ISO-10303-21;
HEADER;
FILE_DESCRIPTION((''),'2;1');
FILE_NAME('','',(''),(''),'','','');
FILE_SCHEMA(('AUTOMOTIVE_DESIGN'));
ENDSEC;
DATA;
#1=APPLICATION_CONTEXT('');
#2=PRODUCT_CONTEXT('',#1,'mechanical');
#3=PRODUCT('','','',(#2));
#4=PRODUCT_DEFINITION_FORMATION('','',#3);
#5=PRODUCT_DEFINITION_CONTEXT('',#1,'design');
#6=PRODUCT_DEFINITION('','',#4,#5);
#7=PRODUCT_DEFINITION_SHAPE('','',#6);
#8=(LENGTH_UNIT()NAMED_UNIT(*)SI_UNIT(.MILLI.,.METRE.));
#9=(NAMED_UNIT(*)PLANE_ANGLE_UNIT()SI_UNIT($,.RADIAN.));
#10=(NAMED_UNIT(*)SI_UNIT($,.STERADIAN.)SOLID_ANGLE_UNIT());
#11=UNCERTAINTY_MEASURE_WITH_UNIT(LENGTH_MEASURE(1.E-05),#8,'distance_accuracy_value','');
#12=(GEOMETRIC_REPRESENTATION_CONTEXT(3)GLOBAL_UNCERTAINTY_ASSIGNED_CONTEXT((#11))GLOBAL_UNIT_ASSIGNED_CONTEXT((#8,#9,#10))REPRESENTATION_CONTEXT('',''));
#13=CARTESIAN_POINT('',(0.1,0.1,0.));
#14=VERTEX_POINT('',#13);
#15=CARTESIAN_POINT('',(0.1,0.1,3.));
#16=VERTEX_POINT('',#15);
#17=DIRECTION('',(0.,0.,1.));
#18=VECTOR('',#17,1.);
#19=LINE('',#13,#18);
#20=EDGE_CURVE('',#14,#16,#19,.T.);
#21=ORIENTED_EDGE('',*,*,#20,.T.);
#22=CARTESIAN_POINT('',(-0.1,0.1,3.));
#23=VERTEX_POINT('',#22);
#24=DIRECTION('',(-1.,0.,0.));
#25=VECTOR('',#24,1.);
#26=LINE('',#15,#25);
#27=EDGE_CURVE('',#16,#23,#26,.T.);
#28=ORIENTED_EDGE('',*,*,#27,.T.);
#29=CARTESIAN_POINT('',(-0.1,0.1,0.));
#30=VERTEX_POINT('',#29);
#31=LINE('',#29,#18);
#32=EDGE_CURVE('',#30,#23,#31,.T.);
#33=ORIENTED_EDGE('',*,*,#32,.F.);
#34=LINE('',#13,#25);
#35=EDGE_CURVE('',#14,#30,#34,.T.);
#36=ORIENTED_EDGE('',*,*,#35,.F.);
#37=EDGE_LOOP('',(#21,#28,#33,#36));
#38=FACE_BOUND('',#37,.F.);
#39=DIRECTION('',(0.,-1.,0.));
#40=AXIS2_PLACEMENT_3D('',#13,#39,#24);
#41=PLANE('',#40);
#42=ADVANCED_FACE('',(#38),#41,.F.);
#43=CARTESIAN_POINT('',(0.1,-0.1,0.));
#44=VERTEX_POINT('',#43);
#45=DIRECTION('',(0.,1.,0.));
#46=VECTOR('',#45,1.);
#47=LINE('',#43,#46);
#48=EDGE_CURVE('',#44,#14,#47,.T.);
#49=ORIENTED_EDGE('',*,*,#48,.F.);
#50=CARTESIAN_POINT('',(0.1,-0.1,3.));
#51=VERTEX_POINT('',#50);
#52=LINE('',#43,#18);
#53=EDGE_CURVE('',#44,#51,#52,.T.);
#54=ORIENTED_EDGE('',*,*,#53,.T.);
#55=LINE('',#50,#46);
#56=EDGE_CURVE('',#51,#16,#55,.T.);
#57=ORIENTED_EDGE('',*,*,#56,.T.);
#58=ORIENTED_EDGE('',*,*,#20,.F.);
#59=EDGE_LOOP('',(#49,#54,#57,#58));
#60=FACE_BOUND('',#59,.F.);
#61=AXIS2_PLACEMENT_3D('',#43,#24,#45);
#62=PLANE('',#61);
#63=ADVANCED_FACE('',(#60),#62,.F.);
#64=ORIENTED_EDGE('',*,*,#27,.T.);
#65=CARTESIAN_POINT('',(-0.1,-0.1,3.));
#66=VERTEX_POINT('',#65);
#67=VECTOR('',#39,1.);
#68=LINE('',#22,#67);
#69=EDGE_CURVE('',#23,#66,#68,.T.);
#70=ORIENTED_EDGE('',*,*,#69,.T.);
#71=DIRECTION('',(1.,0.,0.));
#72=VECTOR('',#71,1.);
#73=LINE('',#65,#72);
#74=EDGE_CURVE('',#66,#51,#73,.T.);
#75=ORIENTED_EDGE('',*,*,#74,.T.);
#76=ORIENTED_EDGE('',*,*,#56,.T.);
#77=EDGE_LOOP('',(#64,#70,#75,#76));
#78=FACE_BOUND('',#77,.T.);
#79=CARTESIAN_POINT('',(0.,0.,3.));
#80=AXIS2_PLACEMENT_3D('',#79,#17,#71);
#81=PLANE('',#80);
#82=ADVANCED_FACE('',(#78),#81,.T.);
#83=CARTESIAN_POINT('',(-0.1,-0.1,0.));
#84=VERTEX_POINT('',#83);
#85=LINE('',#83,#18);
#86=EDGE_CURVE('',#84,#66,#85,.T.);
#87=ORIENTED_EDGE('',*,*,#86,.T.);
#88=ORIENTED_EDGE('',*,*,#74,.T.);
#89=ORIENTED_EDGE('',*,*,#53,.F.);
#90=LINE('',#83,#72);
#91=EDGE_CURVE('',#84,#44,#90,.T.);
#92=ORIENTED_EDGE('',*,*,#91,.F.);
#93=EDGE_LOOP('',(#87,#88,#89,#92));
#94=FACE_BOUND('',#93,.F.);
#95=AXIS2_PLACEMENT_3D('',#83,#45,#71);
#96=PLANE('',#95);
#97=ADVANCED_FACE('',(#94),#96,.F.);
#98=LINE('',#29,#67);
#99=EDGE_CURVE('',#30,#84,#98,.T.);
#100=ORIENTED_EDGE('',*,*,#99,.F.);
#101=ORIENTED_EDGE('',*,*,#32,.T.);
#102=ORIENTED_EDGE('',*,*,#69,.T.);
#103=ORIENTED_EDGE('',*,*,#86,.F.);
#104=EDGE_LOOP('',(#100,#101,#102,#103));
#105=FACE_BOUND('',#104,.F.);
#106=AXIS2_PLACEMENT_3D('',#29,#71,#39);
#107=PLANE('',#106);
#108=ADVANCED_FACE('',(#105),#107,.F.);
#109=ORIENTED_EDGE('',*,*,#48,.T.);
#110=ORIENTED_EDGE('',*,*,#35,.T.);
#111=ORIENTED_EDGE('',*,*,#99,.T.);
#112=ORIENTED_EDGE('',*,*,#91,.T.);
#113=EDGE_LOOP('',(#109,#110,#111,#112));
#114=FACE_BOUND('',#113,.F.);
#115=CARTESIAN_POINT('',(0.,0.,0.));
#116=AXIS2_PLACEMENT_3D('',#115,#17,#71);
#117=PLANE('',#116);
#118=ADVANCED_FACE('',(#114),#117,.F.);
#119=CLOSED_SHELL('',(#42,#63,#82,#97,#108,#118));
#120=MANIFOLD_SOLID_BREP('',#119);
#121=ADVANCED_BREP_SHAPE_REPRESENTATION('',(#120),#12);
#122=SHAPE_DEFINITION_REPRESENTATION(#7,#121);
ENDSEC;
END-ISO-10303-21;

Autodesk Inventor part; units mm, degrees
ref_plane "YZ Plane" through (0, 0, 0) normal (1, 0, 0) x (0, 1, 0)
ref_plane "XZ Plane" through (0, 0, 0) normal (0, 1, 0) x (-1, 0, 0)
ref_plane "XY Plane" through (0, 0, 0) normal (0, 0, 1) x (1, 0, 0)
sketch "Sketch1" plane through (0, 0, 0) normal (0, 0, 1) x (1, 0, 0)
  line L0 (-0.1, -0.1) -> (0.1, -0.1)
  line L1 (0.1, -0.1) -> (0.1, 0.1)
  line L2 (0.1, 0.1) -> (-0.1, 0.1)
  line L3 (-0.1, 0.1) -> (-0.1, -0.1)
  line L4 (-0.1, -0.1) -> (0.1, 0.1) construction
  line L5 (0.1, -0.1) -> (-0.1, 0.1) construction
  point P0 (0, 0)
  dimension "d0" = 0.2
  dimension "d1" = 0.2
extrude "Extrusion1" add sketch "Sketch1" along normal blind 3
properties part number "Bone11_3_Fix"
